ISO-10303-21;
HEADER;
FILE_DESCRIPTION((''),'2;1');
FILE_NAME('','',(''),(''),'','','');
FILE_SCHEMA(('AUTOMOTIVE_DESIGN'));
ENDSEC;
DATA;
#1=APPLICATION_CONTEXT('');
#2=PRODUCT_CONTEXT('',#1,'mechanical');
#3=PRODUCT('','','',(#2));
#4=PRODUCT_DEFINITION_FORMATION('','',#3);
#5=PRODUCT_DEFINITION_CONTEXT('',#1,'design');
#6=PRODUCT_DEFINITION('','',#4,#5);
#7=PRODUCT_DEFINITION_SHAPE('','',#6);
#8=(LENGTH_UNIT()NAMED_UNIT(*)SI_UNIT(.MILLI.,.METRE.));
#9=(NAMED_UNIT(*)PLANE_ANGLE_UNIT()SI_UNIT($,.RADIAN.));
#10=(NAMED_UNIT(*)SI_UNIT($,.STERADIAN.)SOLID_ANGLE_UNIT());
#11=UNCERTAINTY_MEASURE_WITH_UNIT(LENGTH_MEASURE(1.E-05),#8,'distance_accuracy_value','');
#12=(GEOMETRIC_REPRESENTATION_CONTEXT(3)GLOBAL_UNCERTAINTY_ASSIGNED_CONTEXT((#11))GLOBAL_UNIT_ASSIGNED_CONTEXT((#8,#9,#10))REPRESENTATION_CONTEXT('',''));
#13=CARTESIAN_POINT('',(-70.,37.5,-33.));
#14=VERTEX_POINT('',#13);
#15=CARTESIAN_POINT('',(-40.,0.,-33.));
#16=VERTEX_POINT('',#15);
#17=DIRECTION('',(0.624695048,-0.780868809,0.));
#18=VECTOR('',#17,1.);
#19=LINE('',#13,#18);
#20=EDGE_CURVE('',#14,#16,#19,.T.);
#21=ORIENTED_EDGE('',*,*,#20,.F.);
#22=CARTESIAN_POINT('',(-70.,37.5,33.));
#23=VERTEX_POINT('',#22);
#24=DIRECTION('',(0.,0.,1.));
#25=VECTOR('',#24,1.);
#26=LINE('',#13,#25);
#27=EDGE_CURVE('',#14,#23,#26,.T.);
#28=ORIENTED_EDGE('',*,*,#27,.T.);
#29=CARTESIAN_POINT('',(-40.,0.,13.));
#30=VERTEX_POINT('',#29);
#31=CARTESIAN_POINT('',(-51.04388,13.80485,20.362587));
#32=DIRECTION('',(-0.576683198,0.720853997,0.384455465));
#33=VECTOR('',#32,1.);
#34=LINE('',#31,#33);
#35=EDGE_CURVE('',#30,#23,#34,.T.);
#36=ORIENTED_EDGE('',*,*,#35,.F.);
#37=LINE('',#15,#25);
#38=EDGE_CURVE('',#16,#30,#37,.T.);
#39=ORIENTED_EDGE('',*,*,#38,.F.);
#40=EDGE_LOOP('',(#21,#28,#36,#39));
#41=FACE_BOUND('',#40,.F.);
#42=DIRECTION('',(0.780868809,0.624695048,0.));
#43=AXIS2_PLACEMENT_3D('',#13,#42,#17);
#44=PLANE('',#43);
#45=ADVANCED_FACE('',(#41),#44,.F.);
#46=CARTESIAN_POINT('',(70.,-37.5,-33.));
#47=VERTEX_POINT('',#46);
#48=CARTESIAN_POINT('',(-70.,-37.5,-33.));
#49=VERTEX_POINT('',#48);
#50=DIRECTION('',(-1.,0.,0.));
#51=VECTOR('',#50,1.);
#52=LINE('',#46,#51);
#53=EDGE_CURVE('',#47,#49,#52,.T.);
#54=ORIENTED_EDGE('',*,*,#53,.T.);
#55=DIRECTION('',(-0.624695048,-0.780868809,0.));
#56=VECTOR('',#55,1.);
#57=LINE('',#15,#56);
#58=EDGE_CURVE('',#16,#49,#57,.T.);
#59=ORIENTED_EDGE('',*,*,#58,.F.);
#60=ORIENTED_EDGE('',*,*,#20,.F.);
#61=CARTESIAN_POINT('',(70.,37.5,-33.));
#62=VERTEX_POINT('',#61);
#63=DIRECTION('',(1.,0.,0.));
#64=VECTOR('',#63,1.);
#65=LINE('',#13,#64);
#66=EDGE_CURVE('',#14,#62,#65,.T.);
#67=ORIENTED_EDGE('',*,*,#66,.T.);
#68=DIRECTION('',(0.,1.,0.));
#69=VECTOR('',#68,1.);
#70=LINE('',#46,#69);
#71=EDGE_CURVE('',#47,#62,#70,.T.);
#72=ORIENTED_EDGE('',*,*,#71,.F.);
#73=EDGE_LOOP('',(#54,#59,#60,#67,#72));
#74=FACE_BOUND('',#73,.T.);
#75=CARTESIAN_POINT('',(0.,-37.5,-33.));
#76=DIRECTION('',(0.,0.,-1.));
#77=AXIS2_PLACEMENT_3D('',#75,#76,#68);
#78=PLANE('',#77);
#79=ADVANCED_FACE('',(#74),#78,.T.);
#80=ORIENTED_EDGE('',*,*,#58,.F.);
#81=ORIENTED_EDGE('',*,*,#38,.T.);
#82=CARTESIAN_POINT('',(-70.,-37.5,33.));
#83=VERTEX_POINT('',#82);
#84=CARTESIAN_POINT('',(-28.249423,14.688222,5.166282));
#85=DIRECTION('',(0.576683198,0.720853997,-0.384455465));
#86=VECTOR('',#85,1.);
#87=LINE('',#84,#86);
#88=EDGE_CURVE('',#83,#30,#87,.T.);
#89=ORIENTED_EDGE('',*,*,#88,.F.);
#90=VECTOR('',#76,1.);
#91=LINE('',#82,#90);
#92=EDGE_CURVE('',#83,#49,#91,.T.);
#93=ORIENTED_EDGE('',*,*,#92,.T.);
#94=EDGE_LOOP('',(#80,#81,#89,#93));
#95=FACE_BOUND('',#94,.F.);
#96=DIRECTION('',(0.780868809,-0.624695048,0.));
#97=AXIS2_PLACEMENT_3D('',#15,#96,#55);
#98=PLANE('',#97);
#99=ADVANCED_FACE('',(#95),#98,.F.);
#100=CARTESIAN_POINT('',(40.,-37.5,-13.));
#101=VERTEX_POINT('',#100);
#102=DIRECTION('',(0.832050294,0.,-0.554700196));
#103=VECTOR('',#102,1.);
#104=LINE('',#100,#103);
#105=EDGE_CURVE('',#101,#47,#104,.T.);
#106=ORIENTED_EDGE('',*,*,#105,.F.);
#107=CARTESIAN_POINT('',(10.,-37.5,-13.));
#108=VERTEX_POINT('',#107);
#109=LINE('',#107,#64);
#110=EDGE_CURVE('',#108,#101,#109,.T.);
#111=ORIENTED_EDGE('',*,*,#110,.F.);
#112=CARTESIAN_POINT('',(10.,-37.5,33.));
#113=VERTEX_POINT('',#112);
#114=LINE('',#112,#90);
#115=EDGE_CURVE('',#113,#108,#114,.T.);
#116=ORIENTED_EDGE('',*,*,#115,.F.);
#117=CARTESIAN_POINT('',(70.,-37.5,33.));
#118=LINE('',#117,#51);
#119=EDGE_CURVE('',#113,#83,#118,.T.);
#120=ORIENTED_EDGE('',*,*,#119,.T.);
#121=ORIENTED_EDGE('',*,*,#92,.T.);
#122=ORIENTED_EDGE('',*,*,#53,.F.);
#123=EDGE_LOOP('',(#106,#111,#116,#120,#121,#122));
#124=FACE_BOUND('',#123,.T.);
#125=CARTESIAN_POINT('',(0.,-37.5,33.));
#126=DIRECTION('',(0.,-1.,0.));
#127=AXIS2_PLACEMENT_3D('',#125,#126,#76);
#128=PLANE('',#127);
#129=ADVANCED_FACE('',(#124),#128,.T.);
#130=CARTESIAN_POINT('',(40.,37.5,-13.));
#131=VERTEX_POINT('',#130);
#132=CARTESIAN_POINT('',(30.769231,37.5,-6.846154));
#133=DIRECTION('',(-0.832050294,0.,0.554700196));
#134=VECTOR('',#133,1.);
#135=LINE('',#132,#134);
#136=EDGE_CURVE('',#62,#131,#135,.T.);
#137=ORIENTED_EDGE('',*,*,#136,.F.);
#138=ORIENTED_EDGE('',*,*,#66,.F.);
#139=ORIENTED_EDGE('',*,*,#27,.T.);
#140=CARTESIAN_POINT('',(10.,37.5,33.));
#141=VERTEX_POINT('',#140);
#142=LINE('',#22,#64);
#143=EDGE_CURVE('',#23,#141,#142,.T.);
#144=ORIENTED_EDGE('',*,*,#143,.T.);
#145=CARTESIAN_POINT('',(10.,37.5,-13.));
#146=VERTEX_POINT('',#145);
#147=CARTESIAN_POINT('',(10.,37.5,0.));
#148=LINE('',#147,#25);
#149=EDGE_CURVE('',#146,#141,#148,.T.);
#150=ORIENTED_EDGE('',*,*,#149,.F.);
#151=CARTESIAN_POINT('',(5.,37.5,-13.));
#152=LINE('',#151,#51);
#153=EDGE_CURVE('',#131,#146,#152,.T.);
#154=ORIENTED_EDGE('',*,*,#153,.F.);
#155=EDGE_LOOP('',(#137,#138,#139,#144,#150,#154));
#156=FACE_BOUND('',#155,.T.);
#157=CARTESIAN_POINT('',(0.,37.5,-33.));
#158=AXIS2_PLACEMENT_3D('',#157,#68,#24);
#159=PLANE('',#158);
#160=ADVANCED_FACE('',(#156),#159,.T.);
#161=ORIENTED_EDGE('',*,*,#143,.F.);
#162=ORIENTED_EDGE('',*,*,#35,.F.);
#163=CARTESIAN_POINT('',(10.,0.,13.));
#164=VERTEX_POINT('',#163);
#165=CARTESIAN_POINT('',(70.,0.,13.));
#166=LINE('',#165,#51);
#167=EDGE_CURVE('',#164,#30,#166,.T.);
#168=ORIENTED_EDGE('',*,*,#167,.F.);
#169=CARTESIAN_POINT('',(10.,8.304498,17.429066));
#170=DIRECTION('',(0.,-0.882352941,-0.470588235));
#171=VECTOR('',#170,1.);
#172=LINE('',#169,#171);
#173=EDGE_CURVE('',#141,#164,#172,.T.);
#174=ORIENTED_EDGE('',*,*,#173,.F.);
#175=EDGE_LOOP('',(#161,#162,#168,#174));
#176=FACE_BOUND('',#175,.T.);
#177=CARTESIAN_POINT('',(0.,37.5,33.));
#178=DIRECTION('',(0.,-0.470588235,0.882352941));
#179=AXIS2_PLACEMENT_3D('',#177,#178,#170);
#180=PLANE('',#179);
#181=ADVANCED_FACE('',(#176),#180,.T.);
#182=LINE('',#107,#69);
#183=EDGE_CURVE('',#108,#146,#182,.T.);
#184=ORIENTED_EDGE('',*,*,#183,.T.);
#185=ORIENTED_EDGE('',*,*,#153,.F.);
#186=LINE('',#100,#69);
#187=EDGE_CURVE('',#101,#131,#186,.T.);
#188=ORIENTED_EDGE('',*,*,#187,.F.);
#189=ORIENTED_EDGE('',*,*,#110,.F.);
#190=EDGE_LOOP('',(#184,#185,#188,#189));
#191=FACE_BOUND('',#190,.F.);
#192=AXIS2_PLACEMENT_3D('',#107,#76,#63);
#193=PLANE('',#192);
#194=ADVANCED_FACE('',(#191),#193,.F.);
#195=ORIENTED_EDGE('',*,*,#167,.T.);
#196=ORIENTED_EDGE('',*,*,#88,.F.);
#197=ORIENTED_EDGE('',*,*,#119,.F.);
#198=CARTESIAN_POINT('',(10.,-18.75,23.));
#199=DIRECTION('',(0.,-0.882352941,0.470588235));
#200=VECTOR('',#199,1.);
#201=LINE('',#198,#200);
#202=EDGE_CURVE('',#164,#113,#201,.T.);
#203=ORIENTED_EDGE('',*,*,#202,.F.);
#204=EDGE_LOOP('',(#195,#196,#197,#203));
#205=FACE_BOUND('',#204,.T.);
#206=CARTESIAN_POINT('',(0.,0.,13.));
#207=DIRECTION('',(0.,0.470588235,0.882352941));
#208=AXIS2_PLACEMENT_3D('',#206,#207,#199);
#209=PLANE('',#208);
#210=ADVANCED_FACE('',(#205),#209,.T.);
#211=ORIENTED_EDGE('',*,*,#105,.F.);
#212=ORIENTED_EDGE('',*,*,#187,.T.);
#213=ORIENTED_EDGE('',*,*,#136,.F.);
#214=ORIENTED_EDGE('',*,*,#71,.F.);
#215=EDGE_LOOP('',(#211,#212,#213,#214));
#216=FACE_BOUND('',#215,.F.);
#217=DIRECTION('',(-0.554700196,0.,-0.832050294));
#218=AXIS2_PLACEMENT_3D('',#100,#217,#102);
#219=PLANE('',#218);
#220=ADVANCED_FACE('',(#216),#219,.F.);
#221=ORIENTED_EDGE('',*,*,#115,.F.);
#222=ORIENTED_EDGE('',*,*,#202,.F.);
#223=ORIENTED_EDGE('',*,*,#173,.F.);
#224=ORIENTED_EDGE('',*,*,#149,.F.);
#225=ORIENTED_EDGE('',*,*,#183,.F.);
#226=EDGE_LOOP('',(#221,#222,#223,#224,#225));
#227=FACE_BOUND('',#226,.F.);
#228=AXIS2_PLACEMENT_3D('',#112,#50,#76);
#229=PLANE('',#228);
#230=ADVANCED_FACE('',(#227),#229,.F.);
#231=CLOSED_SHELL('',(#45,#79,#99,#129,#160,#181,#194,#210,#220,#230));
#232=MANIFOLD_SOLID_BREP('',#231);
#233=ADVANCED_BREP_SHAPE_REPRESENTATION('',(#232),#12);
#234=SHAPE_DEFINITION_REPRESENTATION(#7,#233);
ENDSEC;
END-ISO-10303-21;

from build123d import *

# Parameters (mm, degrees)
F1_DEPTH = 70
F3_DEPTH = 75.001
F5_DEPTH = 66.001


with BuildPart() as f1:
    # F0 (on Right) → F1 (new body, symmetric)
    with BuildSketch(Plane.YZ):
        Polygon((-37.5, -33), (37.5, -33), (37.5, 33), (0, 13), (-37.5, 33), align=None)
    extrude(amount=F1_DEPTH, both=True)

    # F2 (on face) → F3 (cut, through all)
    with BuildSketch(Plane.XZ.offset(37.5)):
        Polygon((10, -13), (40, -13), (70, -33), (70, 33), (10, 33), align=None)
    extrude(amount=-F3_DEPTH, mode=Mode.SUBTRACT)

    # F4 (on face) → F5 (cut, through all)
    with BuildSketch(Plane(origin=(0, 0, -33), x_dir=(1, 0, 0), z_dir=(0, 0, -1))):
        Polygon((-70, -37.5), (-40, 0), (-70, 37.5), align=None)
    extrude(amount=-F5_DEPTH, mode=Mode.SUBTRACT)


solid = f1.part
